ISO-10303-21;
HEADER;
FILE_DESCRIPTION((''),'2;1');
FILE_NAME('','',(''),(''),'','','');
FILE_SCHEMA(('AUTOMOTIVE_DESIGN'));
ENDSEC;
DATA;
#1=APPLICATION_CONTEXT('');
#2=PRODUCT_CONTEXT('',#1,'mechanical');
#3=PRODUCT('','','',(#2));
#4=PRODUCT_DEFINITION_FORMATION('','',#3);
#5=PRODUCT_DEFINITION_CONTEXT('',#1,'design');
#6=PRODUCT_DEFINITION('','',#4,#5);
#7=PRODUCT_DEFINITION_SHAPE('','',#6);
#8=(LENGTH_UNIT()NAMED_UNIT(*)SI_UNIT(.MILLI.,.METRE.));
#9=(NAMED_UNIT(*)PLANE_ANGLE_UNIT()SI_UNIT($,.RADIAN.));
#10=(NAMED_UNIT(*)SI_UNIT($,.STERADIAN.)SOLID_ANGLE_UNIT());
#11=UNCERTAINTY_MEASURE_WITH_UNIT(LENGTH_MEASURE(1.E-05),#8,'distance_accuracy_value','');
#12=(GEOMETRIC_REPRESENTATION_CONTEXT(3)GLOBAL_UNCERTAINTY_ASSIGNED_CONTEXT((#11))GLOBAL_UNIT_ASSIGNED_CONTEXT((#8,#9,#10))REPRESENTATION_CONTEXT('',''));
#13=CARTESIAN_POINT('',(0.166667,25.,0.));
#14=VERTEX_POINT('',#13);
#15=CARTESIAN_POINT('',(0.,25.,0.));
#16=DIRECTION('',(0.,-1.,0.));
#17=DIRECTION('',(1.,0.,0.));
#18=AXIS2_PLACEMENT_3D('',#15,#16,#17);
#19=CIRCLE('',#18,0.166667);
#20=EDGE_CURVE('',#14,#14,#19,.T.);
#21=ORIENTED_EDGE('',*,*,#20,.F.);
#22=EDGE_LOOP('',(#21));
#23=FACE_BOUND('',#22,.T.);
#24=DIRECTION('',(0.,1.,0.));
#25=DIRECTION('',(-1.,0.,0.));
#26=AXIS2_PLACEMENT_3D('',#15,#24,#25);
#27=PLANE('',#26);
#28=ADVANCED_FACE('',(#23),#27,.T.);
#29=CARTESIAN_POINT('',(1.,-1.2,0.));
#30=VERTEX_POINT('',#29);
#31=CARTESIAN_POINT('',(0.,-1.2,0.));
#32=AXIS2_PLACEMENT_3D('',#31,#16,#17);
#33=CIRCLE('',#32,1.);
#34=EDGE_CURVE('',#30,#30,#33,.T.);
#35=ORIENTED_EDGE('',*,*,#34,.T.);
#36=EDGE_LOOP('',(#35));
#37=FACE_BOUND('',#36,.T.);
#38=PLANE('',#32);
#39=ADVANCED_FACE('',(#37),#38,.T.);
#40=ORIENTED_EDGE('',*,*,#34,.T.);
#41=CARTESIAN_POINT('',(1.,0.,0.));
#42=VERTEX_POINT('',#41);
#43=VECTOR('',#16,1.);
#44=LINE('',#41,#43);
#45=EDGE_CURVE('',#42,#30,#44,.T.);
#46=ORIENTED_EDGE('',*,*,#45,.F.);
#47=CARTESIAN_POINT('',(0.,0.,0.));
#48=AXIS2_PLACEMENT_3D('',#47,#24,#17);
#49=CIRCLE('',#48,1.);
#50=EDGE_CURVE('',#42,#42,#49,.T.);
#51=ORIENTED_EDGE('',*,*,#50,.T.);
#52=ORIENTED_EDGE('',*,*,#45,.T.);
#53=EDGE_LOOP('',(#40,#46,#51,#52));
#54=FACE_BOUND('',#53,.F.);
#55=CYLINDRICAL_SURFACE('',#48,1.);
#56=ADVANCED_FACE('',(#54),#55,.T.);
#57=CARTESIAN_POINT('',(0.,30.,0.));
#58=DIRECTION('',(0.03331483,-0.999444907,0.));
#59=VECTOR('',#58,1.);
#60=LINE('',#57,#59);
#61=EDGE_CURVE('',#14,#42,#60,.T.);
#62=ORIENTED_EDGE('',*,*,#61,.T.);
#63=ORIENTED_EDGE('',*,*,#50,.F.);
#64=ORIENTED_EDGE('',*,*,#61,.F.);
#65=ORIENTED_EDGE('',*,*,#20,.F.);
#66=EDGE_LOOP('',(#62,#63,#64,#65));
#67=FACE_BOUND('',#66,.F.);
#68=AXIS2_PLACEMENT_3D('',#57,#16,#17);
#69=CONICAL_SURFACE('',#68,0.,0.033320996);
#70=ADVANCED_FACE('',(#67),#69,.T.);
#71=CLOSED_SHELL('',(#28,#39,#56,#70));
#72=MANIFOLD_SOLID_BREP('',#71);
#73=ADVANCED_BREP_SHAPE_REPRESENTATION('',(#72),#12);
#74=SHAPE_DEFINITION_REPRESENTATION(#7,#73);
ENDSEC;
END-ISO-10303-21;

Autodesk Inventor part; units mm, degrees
ref_plane "YZ Plane" through (0, 0, 0) normal (1, 0, 0) x (0, 1, 0)
ref_plane "XY Plane" through (0, 0, 0) normal (0, 0, 1) x (1, 0, 0)
sketch "Sketch3" plane through (0, 0, 0) normal (0, 0, 1) x (1, 0, 0)
  line L0 (0, 0) -> (0, 30)
  line L1 (0, 30) -> (1, 0)
  line L2 (1, 0) -> (0, 0)
  dimension "d3" = 30
  dimension "d4" = 1
revolve "Revolution1" add sketch "Sketch3" angle 360 about axis through (0, 0, 0) along (0, 1, 0)
ref_plane "Work Plane1" through (0, 30, 0) normal (0, 1, 0) x (-1, 0, 0)
sketch "Sketch5" plane through (0, 30, 0) normal (0, 1, 0) x (-1, 0, 0)
  circle A0 centre (0, 0) radius 1 projected
  circle A1 centre (0, 0) radius 2.811
extrude "Extrusion3" cut sketch "Sketch5" against normal blind 5 contours A0 | A1
sketch "Sketch6" plane through (0, 0, 0) normal (0, -1, 0) x (1, 0, 0)
  circle A0 centre (0, 0) radius 0.1667 projected
  circle A1 centre (0, 0) radius 1
extrude "Extrusion4" add sketch "Sketch6" along normal blind 1.2 contours A0 | A1
properties part number "LaserBeamEntry2x"
